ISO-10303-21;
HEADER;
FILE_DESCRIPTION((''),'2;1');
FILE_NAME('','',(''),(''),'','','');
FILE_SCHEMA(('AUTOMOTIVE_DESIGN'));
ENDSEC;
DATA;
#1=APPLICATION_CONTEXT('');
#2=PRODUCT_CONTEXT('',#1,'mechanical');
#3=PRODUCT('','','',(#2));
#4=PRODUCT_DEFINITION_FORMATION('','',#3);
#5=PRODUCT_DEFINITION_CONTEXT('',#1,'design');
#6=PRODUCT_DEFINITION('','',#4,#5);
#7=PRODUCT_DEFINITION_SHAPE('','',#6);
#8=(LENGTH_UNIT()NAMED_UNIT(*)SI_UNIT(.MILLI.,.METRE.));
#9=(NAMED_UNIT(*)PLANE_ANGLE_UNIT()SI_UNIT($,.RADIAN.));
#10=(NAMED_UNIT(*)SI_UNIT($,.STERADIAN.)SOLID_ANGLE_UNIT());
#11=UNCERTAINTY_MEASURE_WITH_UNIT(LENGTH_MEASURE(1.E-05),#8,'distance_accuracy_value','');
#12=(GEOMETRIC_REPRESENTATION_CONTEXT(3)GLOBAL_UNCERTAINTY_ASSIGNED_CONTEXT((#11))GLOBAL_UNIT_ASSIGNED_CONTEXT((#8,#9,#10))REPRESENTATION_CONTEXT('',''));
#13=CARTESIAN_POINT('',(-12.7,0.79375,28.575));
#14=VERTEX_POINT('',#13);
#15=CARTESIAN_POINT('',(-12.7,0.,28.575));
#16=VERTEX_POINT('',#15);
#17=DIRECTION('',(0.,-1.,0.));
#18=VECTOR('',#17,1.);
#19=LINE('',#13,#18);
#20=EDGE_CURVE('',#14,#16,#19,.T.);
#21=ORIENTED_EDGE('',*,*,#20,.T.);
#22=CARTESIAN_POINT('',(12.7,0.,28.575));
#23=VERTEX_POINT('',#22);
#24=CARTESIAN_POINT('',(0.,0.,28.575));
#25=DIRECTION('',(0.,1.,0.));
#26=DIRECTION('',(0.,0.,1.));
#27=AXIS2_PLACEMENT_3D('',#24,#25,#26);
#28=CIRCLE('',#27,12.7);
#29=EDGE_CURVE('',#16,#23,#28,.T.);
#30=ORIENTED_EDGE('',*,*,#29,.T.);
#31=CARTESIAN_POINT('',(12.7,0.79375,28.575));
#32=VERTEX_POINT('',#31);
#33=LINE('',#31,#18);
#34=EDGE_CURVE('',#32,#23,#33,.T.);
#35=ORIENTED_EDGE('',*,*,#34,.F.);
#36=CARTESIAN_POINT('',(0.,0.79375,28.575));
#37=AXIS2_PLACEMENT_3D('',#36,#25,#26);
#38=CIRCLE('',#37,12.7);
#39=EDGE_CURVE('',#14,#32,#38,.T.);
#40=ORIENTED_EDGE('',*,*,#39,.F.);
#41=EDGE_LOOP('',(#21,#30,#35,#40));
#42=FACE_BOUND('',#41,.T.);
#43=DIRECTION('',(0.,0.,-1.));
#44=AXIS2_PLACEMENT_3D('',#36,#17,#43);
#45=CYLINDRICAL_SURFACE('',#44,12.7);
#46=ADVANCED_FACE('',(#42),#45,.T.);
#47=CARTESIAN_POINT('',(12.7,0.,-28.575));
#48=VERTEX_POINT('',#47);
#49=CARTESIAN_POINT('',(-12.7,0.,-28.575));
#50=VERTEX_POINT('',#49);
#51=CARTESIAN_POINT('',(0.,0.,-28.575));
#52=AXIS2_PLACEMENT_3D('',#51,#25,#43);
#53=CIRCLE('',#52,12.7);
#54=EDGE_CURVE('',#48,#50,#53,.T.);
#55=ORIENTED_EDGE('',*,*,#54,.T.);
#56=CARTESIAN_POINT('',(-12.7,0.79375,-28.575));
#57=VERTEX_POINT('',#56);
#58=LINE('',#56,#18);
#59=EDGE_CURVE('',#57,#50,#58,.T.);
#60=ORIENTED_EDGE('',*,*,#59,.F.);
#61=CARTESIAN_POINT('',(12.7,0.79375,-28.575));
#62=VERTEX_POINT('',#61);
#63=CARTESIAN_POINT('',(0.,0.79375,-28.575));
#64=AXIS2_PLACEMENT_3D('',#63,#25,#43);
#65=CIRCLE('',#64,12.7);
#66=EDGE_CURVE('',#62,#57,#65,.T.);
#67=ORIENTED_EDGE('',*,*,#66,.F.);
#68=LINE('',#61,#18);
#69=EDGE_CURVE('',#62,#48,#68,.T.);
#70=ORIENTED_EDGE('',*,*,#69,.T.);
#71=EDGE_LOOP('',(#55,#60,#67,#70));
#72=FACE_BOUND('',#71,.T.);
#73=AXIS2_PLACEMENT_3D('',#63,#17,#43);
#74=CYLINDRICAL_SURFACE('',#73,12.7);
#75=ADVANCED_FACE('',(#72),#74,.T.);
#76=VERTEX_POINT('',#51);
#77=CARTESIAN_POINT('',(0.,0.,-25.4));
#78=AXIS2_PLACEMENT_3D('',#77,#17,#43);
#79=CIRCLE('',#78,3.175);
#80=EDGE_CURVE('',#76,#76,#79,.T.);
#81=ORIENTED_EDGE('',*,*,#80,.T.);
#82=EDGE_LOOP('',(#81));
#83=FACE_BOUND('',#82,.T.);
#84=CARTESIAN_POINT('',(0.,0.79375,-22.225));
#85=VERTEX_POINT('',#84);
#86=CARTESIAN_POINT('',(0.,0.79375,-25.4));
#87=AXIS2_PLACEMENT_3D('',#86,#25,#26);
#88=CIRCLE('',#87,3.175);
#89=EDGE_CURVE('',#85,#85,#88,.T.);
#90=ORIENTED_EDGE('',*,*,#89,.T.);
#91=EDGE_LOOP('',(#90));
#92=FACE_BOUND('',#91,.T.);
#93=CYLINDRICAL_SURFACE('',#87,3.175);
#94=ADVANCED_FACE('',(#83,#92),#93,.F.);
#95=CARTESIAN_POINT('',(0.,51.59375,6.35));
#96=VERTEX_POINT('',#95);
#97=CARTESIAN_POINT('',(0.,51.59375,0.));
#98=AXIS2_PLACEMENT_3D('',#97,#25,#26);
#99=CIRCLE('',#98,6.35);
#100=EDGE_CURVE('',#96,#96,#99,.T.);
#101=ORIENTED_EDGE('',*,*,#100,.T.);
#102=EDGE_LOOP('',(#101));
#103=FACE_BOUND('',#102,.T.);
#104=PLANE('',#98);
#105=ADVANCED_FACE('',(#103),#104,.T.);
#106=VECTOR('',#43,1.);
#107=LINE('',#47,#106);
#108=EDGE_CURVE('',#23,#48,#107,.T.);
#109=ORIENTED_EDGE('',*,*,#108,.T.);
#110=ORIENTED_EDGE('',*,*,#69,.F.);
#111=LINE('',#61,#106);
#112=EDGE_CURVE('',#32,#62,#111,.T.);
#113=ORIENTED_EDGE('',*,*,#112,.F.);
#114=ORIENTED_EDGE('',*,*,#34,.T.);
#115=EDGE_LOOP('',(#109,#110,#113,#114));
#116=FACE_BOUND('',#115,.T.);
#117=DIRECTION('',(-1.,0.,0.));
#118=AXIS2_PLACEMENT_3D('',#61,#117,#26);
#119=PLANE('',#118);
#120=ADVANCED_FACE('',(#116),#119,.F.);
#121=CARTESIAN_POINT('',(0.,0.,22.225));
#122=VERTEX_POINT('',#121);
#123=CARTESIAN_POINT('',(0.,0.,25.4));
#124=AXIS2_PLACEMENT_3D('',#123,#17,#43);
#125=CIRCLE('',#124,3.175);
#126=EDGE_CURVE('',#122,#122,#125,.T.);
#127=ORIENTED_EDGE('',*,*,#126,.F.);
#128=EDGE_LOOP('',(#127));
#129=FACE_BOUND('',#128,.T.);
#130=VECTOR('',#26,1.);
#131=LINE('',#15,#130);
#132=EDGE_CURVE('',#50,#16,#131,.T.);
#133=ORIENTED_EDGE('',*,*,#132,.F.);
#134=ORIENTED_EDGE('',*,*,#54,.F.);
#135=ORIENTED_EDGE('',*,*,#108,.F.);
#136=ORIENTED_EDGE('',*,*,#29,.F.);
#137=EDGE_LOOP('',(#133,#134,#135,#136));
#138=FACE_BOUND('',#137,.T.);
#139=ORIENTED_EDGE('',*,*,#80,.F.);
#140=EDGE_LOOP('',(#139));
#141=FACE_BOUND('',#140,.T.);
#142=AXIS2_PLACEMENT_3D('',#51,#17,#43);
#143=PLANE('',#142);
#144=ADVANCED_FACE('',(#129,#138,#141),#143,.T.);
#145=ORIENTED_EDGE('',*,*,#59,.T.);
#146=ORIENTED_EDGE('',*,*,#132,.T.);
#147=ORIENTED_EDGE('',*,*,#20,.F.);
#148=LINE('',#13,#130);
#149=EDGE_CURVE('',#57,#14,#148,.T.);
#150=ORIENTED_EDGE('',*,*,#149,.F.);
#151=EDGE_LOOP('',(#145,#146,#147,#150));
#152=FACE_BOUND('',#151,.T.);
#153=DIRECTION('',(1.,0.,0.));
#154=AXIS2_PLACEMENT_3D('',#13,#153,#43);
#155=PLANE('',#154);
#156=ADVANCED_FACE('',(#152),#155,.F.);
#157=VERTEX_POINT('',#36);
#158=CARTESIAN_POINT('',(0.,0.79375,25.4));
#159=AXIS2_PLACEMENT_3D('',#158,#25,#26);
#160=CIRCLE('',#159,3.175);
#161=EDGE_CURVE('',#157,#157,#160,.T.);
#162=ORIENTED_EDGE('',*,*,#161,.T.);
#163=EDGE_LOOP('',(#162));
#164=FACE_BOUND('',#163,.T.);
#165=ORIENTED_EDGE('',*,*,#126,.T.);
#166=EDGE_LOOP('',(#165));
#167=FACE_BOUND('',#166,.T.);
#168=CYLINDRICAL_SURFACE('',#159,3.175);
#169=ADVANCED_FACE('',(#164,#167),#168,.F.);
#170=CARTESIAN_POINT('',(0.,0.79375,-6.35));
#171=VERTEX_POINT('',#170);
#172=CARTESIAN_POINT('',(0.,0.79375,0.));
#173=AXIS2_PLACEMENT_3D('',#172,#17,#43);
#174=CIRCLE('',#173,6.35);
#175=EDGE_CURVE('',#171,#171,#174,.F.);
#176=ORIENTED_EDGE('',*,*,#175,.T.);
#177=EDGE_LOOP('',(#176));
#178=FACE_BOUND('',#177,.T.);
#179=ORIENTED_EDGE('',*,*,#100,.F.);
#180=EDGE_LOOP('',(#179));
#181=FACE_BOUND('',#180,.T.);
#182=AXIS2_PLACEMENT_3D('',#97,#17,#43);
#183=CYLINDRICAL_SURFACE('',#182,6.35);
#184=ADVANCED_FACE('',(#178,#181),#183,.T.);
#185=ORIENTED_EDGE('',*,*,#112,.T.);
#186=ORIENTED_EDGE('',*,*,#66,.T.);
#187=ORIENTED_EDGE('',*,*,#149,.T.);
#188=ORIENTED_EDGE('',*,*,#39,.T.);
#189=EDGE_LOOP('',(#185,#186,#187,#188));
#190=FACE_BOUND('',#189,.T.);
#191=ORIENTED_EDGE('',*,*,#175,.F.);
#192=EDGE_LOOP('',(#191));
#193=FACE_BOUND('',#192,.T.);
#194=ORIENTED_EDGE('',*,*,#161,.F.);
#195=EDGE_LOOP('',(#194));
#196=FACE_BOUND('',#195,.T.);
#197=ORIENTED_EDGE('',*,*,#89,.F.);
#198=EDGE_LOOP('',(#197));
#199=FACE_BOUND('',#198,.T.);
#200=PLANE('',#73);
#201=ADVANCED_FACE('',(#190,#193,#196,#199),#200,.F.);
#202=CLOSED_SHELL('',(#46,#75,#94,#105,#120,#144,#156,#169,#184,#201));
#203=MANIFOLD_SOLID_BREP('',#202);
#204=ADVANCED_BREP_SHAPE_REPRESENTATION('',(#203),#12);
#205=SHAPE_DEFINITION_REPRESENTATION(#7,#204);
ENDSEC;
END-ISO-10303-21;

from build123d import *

# Parameters (mm, degrees)
BOSS_EXTRUDE1_DEPTH                            = 0.79375
CBORE_FOR_4_BUTTON_HEAD_CAP_SCREW1_D           = 3.2639
CBORE_FOR_4_BUTTON_HEAD_CAP_SCREW1_CBORE_D     = 6.35
CBORE_FOR_4_BUTTON_HEAD_CAP_SCREW1_CBORE_DEPTH = 1.4986
SKETCH6_R                                      = 6.35
BOSS_EXTRUDE2_DEPTH                            = 50.8


with BuildPart() as part:
    # Sketch1 → Boss-Extrude1 (new body)
    with BuildSketch(Plane(origin=(0, 0, 0), x_dir=(1, 0, 0), z_dir=(0, 1, 0))):
        with BuildLine():
            Line((-12.7, -28.575), (-12.7, 28.575))
            ThreePointArc((-12.7, 28.575), (0, 41.275), (12.7, 28.575))
            Line((12.7, 28.575), (12.7, -28.575))
            ThreePointArc((12.7, -28.575), (0, -41.275), (-12.7, -28.575))
        make_face()
    extrude(amount=BOSS_EXTRUDE1_DEPTH)

    # CBORE for #4 Button Head Cap Screw1 (through all)
    with Locations(Plane(origin=(0, 0.79375, 0), x_dir=(-1, 0, 0), z_dir=(0, 1, 0))):
        with Locations((0, 25.4), (0, -25.4)):
            CounterBoreHole(CBORE_FOR_4_BUTTON_HEAD_CAP_SCREW1_D / 2, CBORE_FOR_4_BUTTON_HEAD_CAP_SCREW1_CBORE_D / 2, CBORE_FOR_4_BUTTON_HEAD_CAP_SCREW1_CBORE_DEPTH)

    # Sketch6 → Boss-Extrude2 (add)
    with BuildSketch(Plane(origin=(0, 0.79375, 0), x_dir=(1, 0, 0), z_dir=(0, 1, 0))):
        Circle(SKETCH6_R)
    extrude(amount=BOSS_EXTRUDE2_DEPTH)


solid = part.part
